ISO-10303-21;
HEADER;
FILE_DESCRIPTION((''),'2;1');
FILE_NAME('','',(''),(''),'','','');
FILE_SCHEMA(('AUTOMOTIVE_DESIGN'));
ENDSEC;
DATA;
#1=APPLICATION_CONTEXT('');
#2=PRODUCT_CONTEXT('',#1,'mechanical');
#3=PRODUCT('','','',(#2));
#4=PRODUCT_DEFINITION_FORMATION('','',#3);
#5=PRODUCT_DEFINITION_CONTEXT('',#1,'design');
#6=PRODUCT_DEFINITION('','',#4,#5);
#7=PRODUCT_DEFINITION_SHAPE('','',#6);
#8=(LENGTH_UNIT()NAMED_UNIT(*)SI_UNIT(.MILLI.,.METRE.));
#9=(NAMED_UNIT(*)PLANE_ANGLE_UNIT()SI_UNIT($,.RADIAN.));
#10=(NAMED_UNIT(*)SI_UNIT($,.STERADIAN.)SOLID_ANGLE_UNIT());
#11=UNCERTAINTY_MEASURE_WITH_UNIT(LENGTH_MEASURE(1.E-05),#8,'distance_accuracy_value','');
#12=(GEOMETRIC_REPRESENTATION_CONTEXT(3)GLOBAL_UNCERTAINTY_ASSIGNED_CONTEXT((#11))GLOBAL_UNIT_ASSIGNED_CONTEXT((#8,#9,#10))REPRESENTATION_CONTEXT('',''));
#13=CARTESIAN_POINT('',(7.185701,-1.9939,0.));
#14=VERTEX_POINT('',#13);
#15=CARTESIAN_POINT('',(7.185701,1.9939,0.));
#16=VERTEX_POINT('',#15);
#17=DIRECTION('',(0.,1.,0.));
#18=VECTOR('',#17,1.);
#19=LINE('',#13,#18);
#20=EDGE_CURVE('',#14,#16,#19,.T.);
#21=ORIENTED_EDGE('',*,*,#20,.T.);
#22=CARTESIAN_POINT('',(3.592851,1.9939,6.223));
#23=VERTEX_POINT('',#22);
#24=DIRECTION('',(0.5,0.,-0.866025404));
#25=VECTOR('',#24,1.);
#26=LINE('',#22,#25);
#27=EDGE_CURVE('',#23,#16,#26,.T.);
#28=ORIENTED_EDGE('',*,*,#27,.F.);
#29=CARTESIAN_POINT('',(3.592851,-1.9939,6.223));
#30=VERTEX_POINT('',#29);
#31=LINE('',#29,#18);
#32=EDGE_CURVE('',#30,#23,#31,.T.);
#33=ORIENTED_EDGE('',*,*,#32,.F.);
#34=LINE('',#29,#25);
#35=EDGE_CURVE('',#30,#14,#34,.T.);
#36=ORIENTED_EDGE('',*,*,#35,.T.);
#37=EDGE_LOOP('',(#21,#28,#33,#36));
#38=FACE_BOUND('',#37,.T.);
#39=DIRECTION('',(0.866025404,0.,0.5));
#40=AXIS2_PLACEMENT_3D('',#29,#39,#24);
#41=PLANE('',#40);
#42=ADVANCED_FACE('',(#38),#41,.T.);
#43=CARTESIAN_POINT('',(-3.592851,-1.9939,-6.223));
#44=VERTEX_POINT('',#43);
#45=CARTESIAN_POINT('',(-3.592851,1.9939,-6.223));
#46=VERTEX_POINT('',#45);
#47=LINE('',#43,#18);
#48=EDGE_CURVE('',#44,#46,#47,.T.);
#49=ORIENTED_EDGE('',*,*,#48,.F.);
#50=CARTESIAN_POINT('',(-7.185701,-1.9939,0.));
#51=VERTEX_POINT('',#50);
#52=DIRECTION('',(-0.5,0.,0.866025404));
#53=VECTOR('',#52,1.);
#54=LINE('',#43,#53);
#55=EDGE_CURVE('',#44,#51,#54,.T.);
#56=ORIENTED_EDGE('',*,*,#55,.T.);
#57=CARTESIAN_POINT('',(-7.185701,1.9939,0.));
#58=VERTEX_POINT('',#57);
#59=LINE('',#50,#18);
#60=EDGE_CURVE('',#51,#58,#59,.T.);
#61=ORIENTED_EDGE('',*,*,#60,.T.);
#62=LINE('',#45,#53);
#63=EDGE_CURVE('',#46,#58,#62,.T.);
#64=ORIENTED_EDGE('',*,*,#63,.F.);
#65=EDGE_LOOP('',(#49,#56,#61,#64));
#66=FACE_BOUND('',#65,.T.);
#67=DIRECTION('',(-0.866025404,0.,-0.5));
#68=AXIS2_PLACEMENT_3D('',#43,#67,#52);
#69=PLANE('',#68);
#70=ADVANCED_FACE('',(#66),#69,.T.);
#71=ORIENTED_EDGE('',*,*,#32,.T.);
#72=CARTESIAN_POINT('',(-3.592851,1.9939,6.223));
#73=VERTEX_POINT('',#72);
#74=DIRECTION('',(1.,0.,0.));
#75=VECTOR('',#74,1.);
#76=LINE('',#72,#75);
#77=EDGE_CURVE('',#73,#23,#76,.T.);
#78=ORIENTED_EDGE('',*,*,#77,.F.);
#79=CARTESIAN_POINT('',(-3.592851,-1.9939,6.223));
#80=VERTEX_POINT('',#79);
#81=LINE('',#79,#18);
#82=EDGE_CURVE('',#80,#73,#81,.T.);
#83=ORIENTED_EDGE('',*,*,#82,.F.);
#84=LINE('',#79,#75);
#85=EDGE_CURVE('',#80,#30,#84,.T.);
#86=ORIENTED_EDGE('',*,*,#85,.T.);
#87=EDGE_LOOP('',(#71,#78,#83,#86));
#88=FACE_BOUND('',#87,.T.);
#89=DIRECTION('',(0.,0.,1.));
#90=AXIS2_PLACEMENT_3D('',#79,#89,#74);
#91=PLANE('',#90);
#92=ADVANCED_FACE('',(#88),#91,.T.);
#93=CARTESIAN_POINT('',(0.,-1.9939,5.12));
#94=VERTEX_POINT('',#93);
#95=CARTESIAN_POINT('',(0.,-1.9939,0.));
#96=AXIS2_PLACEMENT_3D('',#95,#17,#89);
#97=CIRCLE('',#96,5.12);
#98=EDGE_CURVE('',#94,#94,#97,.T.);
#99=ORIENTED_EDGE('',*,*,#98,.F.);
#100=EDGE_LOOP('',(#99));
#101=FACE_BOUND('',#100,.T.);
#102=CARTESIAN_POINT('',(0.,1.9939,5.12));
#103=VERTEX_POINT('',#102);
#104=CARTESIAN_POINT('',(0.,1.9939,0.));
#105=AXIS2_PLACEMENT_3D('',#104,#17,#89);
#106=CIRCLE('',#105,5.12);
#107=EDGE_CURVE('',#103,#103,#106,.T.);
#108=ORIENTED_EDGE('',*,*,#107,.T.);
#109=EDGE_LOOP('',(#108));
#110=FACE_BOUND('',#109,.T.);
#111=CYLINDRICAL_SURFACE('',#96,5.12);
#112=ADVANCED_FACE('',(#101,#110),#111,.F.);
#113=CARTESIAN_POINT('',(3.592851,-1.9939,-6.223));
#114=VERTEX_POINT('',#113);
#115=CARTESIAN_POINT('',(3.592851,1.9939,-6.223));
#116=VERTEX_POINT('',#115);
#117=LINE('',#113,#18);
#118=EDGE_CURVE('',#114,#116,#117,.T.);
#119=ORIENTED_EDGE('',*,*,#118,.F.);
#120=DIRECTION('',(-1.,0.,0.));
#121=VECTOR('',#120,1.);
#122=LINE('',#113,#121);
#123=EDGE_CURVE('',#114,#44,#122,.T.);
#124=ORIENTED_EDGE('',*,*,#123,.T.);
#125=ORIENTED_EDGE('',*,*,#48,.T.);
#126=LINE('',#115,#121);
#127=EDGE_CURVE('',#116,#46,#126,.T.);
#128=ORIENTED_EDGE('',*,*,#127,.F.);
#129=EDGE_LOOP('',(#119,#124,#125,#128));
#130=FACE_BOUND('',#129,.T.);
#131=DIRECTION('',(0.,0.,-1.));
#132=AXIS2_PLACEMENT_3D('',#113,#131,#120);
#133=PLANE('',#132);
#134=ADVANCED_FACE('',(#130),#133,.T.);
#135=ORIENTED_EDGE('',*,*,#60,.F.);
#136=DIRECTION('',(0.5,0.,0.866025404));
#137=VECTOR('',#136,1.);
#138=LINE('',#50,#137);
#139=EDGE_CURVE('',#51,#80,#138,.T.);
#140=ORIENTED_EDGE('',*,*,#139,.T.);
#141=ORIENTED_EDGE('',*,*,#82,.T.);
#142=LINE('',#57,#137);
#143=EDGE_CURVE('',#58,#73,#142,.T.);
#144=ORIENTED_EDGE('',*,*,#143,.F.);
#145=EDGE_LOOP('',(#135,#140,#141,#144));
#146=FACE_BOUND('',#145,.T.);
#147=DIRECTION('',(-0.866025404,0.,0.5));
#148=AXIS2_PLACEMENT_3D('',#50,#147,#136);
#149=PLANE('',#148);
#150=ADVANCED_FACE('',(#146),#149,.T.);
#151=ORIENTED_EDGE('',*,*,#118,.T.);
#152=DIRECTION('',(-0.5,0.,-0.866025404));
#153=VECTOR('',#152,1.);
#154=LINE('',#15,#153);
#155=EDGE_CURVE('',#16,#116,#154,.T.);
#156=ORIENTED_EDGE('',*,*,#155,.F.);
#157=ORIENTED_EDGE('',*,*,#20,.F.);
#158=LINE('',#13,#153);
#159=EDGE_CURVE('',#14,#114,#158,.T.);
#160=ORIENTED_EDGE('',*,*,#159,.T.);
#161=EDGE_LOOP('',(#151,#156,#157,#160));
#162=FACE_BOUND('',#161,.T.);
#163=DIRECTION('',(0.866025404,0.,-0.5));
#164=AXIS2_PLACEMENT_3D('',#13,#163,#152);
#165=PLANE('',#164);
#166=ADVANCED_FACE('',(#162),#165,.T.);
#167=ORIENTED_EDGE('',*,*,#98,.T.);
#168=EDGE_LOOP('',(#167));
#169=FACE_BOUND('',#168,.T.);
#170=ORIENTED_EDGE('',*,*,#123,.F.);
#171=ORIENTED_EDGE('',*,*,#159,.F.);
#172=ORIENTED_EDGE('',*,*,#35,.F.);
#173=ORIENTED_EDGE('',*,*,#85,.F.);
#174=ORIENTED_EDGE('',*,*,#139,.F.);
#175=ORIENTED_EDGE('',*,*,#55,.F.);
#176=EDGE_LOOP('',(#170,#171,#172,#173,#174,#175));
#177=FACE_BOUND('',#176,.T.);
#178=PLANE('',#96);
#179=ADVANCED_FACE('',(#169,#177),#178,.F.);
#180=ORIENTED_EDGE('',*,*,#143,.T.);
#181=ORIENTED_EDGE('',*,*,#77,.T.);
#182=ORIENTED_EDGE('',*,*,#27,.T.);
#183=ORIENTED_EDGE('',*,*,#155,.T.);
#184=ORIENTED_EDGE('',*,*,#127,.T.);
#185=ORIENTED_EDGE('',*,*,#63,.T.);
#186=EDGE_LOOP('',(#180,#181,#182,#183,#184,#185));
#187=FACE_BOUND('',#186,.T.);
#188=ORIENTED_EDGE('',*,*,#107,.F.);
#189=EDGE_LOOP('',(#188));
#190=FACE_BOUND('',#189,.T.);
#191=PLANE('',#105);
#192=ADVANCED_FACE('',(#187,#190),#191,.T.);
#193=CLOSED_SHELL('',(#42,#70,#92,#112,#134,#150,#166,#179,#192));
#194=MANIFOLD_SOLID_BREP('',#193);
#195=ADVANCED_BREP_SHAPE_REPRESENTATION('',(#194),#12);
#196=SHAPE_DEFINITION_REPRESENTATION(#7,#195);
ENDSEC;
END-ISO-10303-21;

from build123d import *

# Parameters (mm, degrees)
BOSS_EXTRUDE1_DEPTH      = 1.9939
BOSS_EXTRUDE1_DEPTH_BACK = 1.9939
SKETCH1_R                = 5.12


with BuildPart() as part:
    # Sketch1 → Boss-Extrude1 (new, two sides: drawn at the far end of the back side and taken through both)
    with BuildSketch(Plane(origin=(0, 0, 0), x_dir=(1, 0, 0), z_dir=(0, 1, 0)).offset(-BOSS_EXTRUDE1_DEPTH_BACK)):
        Polygon((-3.592850725, 6.223), (-7.18570145, 0), (-3.592850725, -6.223), (3.592850725, -6.223), (7.18570145, 0), (3.592850725, 6.223), align=None)
        Circle(SKETCH1_R, mode=Mode.SUBTRACT)
    extrude(amount=BOSS_EXTRUDE1_DEPTH + BOSS_EXTRUDE1_DEPTH_BACK)


solid = part.part
